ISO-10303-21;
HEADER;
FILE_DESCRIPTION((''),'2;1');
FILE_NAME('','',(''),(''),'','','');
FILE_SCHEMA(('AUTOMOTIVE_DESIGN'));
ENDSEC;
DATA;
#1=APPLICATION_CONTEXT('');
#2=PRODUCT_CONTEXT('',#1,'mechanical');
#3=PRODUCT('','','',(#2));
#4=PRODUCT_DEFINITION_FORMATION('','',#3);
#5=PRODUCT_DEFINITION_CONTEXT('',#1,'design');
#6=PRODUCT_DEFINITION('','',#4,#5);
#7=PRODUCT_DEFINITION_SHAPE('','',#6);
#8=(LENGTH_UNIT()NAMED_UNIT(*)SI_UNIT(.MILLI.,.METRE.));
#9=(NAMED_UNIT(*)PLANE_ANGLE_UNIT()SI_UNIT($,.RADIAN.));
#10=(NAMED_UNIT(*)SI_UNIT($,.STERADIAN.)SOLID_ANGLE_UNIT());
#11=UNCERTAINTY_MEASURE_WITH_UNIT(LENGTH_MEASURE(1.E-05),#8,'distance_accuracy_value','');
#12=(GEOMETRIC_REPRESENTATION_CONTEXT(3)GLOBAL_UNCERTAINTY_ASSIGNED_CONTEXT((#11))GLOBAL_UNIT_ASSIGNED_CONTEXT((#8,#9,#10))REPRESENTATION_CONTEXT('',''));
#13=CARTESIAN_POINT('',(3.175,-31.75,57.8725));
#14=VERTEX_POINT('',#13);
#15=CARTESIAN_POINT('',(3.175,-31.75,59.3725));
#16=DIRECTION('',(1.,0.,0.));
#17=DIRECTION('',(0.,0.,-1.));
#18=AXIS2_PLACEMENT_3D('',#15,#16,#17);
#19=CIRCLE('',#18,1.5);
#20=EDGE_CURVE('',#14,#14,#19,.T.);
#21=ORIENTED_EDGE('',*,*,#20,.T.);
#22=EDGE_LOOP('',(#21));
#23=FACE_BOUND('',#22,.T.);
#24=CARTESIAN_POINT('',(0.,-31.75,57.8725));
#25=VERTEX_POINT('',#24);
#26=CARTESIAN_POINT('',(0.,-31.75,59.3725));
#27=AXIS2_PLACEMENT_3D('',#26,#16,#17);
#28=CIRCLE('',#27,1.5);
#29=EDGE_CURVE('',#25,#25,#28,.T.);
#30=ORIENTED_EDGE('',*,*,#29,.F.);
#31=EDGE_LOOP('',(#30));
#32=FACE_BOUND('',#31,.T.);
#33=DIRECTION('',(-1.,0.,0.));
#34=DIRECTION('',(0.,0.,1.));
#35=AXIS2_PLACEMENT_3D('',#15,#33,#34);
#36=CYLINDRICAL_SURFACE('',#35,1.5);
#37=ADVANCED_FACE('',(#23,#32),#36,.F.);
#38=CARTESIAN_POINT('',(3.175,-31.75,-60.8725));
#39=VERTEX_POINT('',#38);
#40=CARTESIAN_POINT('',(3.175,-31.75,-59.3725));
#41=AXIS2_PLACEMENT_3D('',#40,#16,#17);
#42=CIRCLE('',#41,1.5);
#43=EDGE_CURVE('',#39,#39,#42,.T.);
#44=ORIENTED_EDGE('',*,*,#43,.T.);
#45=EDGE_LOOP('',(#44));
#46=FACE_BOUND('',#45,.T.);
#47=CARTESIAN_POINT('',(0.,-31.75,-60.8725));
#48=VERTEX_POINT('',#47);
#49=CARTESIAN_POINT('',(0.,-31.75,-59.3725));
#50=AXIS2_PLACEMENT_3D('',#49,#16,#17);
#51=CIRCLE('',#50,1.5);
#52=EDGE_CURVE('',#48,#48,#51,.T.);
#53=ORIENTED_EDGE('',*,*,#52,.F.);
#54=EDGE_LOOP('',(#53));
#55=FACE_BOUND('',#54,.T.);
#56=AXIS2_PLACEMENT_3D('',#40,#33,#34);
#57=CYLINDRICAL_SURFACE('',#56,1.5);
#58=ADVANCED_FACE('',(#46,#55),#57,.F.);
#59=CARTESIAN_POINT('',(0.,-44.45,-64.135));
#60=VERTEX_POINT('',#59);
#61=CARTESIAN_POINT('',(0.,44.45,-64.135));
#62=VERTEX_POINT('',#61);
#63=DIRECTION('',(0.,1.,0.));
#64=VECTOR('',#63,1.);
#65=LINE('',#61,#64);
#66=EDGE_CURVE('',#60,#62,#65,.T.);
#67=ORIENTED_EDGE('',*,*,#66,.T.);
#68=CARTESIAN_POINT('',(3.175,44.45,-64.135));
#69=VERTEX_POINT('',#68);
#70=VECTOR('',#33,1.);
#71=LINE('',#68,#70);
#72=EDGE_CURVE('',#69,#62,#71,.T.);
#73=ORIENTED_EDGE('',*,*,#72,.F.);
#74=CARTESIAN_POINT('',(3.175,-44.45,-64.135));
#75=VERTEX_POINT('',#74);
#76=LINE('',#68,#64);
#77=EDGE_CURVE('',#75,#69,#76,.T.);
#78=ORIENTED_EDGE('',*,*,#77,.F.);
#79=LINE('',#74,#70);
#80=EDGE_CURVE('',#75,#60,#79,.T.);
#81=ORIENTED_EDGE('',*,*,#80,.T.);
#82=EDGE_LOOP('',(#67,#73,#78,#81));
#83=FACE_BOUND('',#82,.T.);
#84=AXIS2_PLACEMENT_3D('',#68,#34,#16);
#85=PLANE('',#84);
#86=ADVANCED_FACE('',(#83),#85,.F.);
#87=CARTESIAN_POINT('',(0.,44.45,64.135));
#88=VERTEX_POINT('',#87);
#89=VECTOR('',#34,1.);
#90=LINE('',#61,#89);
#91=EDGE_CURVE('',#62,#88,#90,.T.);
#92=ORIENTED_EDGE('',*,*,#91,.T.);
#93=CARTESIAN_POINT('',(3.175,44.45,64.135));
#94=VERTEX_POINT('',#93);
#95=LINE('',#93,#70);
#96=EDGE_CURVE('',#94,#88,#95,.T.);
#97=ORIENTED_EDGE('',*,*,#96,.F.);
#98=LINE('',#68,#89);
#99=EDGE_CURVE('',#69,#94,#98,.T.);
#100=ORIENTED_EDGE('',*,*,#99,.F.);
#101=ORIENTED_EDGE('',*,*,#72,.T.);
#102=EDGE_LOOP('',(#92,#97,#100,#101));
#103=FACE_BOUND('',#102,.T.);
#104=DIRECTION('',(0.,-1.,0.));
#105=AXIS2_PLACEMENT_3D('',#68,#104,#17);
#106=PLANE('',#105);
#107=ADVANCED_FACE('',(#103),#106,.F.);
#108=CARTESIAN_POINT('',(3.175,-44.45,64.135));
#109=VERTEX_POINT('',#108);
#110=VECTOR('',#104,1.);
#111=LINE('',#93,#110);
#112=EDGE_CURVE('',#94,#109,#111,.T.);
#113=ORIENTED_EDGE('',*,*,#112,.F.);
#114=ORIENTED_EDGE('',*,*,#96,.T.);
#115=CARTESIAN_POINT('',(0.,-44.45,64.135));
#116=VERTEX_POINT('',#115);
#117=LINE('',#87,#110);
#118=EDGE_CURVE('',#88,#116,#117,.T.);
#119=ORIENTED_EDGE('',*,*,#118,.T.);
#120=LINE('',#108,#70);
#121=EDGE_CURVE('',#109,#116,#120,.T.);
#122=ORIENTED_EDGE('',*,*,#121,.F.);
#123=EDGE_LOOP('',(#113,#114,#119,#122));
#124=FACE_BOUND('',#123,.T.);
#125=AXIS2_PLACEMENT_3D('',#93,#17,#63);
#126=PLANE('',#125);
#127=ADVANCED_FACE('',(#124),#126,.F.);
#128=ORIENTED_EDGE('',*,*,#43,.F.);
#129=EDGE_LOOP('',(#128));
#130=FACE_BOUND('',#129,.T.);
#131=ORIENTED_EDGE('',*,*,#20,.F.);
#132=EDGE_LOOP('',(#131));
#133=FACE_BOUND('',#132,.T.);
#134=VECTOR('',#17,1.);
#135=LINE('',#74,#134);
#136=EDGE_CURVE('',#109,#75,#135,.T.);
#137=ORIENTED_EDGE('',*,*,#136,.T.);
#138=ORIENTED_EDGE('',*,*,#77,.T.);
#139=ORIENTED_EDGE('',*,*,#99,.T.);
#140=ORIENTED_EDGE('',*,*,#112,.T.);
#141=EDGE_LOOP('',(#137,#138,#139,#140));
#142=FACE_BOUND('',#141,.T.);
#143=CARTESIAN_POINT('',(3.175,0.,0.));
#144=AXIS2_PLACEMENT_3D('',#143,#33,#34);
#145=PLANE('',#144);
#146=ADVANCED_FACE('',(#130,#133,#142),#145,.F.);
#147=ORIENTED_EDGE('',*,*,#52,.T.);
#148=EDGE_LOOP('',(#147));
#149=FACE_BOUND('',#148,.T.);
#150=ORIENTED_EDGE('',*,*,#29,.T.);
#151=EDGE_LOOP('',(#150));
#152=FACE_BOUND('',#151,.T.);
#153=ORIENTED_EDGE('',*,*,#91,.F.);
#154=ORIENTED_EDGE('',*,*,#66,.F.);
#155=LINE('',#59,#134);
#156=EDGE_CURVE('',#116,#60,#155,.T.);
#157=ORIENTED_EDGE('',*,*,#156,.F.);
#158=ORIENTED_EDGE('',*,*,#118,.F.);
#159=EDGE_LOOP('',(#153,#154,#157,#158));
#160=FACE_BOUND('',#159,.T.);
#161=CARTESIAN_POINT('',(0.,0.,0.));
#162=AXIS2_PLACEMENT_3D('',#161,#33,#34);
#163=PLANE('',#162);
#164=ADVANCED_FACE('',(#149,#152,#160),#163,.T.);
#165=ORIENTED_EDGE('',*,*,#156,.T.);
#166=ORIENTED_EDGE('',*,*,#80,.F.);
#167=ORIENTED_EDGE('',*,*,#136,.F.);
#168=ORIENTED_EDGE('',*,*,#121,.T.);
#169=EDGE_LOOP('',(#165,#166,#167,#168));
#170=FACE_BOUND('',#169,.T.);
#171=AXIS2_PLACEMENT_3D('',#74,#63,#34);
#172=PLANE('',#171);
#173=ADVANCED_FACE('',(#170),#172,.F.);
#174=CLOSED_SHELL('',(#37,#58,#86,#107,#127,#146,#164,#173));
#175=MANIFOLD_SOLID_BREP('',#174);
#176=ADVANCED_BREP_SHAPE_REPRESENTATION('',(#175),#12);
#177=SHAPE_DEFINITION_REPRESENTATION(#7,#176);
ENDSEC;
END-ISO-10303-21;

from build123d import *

# Parameters (mm, degrees)
SKETCH1_W           = 128.27
SKETCH1_H           = 88.9
SKETCH1_R           = 1.5
BOSS_EXTRUDE1_DEPTH = 3.175


with BuildPart() as part:
    # Sketch1 → Boss-Extrude1 (new body)
    with BuildSketch(Plane(origin=(0, 0, 0), x_dir=(0, 0, -1), z_dir=(1, 0, 0))):
        Rectangle(SKETCH1_W, SKETCH1_H)
        with Locations((-59.3725, -31.75)):
            Circle(SKETCH1_R, mode=Mode.SUBTRACT)
        with Locations((59.3725, -31.75)):
            Circle(SKETCH1_R, mode=Mode.SUBTRACT)
    extrude(amount=BOSS_EXTRUDE1_DEPTH)


solid = part.part
